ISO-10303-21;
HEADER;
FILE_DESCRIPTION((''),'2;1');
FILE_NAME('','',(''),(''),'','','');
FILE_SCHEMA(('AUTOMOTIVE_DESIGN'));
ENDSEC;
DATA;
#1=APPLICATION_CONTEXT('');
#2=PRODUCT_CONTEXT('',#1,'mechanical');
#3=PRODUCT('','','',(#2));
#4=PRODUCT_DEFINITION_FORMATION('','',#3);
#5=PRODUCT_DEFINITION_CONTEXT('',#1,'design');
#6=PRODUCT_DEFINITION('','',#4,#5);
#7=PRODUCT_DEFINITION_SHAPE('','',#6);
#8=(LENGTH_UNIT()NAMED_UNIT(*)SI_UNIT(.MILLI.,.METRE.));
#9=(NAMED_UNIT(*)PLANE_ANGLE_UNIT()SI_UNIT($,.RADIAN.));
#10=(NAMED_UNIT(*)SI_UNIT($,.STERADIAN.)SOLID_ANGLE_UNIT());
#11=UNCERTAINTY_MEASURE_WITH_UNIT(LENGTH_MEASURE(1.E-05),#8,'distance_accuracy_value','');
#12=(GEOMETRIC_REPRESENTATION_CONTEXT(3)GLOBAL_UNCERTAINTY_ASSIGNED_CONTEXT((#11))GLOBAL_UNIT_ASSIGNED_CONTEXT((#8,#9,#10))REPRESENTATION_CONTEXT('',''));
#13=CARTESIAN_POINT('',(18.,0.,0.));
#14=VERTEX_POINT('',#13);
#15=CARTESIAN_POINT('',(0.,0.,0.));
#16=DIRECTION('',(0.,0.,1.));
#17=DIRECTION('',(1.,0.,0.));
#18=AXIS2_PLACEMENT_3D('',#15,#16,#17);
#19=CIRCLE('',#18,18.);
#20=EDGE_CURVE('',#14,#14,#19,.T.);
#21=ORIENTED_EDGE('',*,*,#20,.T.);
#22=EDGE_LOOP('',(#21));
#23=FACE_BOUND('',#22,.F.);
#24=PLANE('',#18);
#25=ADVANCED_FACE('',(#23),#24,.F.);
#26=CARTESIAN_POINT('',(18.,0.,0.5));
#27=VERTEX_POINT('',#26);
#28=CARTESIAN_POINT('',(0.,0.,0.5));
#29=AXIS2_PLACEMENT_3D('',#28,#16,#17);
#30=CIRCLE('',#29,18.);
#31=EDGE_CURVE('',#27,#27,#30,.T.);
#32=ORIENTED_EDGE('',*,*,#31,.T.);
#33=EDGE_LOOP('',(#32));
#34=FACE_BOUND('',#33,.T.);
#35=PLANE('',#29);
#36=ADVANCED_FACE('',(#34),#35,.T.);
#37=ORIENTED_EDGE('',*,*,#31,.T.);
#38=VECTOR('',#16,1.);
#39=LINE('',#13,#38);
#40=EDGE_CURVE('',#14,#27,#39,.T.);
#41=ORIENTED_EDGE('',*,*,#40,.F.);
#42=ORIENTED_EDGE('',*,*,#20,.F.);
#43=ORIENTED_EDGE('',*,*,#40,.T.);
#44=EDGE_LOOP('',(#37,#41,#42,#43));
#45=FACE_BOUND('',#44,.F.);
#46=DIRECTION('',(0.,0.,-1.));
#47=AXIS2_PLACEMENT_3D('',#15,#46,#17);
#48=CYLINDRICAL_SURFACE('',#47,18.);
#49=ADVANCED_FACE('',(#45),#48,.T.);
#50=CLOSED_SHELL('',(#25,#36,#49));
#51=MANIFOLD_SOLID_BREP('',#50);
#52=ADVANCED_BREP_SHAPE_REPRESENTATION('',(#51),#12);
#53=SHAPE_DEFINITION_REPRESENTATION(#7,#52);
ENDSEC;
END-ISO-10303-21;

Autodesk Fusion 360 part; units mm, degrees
sketch "Sketch1" plane through (0, 0, 0) normal (0, 0, 1) x (1, 0, 0)
  circle A0 centre (0, 0) radius 18
  dimension "d1" = 36
extrude "Extrude1" add sketch "Sketch1" along normal blind 0.5
